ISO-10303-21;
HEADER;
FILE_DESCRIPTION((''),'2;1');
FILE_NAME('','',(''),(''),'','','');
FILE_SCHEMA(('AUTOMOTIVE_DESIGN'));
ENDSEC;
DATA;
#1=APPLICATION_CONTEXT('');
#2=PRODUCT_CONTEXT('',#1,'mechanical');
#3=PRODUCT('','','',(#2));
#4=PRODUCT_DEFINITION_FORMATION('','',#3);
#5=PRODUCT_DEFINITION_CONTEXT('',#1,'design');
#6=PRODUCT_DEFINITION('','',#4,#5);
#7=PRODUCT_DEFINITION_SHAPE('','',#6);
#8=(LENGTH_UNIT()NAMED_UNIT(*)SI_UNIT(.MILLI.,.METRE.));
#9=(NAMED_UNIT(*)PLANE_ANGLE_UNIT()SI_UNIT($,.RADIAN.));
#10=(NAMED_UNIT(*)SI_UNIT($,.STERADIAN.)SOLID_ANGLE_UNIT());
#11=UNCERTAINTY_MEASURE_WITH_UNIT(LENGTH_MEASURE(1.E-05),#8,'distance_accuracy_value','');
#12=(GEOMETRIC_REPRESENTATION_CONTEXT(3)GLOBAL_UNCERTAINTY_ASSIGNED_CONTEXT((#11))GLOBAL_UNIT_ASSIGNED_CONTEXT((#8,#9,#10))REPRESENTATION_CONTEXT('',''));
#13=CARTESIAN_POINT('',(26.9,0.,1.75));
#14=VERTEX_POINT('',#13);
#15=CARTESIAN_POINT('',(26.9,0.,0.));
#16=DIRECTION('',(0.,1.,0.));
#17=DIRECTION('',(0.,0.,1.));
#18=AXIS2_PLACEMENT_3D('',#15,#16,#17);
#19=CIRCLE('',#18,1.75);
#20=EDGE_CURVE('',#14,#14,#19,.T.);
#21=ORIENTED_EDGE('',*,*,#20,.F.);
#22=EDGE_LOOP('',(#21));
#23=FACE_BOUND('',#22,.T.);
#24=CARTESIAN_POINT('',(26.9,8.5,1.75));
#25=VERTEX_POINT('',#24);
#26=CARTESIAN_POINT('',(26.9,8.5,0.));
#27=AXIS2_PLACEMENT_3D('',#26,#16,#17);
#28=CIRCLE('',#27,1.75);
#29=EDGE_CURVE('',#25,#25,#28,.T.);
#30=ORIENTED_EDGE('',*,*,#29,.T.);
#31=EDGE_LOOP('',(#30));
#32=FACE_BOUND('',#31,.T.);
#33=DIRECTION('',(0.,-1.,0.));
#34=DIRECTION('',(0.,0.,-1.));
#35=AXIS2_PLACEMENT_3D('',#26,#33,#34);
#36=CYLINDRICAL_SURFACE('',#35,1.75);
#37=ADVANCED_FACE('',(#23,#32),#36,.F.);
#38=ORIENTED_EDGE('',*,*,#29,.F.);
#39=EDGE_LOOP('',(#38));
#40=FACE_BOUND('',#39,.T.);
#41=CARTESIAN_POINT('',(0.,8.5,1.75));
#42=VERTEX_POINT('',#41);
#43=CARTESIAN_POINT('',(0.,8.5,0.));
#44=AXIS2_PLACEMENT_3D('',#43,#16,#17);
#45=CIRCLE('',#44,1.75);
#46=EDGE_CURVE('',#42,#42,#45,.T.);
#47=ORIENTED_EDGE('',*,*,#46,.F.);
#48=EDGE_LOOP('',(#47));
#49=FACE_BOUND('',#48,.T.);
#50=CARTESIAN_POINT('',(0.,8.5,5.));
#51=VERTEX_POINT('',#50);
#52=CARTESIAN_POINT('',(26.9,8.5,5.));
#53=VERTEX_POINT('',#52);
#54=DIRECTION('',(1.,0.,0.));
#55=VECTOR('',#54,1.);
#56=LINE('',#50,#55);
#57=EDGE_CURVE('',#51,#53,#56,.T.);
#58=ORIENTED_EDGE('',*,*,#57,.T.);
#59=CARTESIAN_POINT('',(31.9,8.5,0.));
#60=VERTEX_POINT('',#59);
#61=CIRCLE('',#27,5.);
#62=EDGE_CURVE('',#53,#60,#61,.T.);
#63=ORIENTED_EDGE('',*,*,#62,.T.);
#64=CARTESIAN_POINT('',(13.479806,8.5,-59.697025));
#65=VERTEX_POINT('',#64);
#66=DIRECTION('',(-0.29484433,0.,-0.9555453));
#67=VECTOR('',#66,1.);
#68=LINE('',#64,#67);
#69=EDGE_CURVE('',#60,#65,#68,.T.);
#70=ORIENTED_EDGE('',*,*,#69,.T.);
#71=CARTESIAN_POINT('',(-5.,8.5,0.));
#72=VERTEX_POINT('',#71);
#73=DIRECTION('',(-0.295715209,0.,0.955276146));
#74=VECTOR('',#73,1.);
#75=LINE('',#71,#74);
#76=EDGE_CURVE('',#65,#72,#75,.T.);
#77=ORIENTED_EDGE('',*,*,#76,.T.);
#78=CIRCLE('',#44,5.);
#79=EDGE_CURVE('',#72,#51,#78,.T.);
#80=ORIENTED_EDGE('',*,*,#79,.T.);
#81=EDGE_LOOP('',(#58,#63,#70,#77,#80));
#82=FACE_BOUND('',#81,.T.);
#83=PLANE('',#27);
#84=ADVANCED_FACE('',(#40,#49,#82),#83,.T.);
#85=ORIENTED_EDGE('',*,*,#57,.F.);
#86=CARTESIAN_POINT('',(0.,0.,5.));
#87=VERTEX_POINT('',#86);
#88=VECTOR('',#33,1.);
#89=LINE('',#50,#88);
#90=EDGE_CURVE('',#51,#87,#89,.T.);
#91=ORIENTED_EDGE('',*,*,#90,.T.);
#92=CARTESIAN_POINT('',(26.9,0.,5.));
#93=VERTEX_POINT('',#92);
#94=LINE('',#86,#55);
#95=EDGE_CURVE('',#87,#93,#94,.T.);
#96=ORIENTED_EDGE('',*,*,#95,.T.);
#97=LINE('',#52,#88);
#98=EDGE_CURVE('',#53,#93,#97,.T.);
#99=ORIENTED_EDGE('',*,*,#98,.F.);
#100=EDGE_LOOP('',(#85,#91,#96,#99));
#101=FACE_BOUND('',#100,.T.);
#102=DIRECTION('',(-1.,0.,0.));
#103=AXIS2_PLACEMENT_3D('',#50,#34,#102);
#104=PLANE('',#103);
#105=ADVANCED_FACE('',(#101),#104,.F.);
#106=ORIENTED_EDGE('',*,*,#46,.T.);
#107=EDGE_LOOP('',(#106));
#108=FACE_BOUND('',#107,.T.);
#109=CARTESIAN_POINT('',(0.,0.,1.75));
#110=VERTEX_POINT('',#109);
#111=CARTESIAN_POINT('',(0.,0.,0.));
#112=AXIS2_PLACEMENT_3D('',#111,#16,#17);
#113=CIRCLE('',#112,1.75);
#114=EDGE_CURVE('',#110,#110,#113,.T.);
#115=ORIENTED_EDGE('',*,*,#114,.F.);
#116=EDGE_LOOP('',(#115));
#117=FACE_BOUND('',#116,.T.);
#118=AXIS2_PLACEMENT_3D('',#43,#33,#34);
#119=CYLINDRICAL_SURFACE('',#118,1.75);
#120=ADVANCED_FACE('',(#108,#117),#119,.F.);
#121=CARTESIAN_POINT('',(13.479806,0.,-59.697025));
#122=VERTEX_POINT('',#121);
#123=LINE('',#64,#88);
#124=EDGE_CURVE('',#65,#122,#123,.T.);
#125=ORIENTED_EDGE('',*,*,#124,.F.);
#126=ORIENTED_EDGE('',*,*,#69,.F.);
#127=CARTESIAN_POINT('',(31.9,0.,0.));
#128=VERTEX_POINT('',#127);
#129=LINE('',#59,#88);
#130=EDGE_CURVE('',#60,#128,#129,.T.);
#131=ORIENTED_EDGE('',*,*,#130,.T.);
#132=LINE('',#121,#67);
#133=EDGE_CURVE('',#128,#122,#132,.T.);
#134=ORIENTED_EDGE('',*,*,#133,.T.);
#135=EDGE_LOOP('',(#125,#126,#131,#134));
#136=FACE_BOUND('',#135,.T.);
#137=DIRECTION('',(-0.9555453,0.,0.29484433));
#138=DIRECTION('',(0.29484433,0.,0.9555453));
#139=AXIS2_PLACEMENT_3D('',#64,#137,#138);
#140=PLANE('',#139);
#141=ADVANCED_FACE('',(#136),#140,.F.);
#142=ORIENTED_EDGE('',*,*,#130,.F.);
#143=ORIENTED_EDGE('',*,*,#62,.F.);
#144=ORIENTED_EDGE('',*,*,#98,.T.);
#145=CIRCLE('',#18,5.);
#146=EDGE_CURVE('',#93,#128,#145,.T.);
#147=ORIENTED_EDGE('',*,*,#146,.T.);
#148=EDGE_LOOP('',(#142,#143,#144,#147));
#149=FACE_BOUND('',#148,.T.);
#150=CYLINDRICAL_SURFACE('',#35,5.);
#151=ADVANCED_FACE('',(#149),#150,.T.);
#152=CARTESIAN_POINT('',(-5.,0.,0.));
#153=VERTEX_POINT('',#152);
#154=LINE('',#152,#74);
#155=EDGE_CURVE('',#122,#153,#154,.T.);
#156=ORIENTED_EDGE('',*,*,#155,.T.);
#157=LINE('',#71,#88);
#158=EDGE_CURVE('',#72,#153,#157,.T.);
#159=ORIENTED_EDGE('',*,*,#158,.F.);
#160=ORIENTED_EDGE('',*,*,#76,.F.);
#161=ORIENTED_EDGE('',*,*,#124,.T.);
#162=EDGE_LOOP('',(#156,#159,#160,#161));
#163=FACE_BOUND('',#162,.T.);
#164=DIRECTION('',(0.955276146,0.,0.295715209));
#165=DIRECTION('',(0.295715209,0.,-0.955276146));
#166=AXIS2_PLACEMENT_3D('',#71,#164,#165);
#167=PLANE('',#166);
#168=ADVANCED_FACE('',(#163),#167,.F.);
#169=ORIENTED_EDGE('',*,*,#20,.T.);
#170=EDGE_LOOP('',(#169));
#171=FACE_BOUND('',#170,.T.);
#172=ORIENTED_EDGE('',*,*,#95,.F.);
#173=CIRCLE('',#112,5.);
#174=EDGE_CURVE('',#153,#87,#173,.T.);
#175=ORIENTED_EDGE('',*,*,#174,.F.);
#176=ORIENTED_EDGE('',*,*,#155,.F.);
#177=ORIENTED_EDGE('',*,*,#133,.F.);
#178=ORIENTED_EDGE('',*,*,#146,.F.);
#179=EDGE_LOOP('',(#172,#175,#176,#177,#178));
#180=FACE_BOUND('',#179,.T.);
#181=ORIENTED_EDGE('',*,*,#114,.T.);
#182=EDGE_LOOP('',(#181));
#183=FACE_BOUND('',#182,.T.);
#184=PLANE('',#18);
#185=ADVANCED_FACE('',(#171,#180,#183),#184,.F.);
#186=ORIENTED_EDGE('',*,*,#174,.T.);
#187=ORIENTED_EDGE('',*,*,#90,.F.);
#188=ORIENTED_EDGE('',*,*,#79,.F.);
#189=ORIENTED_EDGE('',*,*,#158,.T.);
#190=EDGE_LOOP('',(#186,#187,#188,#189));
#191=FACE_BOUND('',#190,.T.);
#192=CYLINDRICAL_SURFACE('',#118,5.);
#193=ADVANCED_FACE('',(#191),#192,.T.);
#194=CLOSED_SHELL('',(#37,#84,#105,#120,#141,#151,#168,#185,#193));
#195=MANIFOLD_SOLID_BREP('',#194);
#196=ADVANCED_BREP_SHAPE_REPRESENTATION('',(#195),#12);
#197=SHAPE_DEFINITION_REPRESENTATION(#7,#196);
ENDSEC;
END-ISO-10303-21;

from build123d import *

# Parameters (mm, degrees)
SKETCH1_R           = 1.75
BOSS_EXTRUDE3_DEPTH = 8.5


with BuildPart() as part:
    # Sketch1 → Boss-Extrude3 (new body)
    with BuildSketch(Plane(origin=(0, 0, 0), x_dir=(1, 0, 0), z_dir=(0, 1, 0))):
        with BuildLine():
            Line((-5, 0), (13.479806433, 59.697025207))
            Line((13.479806433, 59.697025207), (31.9, 0))
            ThreePointArc((31.9, 0), (30.435533906, -3.535533906), (26.9, -5))
            Line((26.9, -5), (0, -5))
            ThreePointArc((0, -5), (-3.535533906, -3.535533906), (-5, 0))
        make_face()
        with Locations(Location((0, 0, 0), (0, 0, 270))):
            Circle(SKETCH1_R, mode=Mode.SUBTRACT)
        with Locations(Location((26.9, 0, 0), (0, 0, 270))):
            Circle(SKETCH1_R, mode=Mode.SUBTRACT)
    extrude(amount=BOSS_EXTRUDE3_DEPTH)


solid = part.part
